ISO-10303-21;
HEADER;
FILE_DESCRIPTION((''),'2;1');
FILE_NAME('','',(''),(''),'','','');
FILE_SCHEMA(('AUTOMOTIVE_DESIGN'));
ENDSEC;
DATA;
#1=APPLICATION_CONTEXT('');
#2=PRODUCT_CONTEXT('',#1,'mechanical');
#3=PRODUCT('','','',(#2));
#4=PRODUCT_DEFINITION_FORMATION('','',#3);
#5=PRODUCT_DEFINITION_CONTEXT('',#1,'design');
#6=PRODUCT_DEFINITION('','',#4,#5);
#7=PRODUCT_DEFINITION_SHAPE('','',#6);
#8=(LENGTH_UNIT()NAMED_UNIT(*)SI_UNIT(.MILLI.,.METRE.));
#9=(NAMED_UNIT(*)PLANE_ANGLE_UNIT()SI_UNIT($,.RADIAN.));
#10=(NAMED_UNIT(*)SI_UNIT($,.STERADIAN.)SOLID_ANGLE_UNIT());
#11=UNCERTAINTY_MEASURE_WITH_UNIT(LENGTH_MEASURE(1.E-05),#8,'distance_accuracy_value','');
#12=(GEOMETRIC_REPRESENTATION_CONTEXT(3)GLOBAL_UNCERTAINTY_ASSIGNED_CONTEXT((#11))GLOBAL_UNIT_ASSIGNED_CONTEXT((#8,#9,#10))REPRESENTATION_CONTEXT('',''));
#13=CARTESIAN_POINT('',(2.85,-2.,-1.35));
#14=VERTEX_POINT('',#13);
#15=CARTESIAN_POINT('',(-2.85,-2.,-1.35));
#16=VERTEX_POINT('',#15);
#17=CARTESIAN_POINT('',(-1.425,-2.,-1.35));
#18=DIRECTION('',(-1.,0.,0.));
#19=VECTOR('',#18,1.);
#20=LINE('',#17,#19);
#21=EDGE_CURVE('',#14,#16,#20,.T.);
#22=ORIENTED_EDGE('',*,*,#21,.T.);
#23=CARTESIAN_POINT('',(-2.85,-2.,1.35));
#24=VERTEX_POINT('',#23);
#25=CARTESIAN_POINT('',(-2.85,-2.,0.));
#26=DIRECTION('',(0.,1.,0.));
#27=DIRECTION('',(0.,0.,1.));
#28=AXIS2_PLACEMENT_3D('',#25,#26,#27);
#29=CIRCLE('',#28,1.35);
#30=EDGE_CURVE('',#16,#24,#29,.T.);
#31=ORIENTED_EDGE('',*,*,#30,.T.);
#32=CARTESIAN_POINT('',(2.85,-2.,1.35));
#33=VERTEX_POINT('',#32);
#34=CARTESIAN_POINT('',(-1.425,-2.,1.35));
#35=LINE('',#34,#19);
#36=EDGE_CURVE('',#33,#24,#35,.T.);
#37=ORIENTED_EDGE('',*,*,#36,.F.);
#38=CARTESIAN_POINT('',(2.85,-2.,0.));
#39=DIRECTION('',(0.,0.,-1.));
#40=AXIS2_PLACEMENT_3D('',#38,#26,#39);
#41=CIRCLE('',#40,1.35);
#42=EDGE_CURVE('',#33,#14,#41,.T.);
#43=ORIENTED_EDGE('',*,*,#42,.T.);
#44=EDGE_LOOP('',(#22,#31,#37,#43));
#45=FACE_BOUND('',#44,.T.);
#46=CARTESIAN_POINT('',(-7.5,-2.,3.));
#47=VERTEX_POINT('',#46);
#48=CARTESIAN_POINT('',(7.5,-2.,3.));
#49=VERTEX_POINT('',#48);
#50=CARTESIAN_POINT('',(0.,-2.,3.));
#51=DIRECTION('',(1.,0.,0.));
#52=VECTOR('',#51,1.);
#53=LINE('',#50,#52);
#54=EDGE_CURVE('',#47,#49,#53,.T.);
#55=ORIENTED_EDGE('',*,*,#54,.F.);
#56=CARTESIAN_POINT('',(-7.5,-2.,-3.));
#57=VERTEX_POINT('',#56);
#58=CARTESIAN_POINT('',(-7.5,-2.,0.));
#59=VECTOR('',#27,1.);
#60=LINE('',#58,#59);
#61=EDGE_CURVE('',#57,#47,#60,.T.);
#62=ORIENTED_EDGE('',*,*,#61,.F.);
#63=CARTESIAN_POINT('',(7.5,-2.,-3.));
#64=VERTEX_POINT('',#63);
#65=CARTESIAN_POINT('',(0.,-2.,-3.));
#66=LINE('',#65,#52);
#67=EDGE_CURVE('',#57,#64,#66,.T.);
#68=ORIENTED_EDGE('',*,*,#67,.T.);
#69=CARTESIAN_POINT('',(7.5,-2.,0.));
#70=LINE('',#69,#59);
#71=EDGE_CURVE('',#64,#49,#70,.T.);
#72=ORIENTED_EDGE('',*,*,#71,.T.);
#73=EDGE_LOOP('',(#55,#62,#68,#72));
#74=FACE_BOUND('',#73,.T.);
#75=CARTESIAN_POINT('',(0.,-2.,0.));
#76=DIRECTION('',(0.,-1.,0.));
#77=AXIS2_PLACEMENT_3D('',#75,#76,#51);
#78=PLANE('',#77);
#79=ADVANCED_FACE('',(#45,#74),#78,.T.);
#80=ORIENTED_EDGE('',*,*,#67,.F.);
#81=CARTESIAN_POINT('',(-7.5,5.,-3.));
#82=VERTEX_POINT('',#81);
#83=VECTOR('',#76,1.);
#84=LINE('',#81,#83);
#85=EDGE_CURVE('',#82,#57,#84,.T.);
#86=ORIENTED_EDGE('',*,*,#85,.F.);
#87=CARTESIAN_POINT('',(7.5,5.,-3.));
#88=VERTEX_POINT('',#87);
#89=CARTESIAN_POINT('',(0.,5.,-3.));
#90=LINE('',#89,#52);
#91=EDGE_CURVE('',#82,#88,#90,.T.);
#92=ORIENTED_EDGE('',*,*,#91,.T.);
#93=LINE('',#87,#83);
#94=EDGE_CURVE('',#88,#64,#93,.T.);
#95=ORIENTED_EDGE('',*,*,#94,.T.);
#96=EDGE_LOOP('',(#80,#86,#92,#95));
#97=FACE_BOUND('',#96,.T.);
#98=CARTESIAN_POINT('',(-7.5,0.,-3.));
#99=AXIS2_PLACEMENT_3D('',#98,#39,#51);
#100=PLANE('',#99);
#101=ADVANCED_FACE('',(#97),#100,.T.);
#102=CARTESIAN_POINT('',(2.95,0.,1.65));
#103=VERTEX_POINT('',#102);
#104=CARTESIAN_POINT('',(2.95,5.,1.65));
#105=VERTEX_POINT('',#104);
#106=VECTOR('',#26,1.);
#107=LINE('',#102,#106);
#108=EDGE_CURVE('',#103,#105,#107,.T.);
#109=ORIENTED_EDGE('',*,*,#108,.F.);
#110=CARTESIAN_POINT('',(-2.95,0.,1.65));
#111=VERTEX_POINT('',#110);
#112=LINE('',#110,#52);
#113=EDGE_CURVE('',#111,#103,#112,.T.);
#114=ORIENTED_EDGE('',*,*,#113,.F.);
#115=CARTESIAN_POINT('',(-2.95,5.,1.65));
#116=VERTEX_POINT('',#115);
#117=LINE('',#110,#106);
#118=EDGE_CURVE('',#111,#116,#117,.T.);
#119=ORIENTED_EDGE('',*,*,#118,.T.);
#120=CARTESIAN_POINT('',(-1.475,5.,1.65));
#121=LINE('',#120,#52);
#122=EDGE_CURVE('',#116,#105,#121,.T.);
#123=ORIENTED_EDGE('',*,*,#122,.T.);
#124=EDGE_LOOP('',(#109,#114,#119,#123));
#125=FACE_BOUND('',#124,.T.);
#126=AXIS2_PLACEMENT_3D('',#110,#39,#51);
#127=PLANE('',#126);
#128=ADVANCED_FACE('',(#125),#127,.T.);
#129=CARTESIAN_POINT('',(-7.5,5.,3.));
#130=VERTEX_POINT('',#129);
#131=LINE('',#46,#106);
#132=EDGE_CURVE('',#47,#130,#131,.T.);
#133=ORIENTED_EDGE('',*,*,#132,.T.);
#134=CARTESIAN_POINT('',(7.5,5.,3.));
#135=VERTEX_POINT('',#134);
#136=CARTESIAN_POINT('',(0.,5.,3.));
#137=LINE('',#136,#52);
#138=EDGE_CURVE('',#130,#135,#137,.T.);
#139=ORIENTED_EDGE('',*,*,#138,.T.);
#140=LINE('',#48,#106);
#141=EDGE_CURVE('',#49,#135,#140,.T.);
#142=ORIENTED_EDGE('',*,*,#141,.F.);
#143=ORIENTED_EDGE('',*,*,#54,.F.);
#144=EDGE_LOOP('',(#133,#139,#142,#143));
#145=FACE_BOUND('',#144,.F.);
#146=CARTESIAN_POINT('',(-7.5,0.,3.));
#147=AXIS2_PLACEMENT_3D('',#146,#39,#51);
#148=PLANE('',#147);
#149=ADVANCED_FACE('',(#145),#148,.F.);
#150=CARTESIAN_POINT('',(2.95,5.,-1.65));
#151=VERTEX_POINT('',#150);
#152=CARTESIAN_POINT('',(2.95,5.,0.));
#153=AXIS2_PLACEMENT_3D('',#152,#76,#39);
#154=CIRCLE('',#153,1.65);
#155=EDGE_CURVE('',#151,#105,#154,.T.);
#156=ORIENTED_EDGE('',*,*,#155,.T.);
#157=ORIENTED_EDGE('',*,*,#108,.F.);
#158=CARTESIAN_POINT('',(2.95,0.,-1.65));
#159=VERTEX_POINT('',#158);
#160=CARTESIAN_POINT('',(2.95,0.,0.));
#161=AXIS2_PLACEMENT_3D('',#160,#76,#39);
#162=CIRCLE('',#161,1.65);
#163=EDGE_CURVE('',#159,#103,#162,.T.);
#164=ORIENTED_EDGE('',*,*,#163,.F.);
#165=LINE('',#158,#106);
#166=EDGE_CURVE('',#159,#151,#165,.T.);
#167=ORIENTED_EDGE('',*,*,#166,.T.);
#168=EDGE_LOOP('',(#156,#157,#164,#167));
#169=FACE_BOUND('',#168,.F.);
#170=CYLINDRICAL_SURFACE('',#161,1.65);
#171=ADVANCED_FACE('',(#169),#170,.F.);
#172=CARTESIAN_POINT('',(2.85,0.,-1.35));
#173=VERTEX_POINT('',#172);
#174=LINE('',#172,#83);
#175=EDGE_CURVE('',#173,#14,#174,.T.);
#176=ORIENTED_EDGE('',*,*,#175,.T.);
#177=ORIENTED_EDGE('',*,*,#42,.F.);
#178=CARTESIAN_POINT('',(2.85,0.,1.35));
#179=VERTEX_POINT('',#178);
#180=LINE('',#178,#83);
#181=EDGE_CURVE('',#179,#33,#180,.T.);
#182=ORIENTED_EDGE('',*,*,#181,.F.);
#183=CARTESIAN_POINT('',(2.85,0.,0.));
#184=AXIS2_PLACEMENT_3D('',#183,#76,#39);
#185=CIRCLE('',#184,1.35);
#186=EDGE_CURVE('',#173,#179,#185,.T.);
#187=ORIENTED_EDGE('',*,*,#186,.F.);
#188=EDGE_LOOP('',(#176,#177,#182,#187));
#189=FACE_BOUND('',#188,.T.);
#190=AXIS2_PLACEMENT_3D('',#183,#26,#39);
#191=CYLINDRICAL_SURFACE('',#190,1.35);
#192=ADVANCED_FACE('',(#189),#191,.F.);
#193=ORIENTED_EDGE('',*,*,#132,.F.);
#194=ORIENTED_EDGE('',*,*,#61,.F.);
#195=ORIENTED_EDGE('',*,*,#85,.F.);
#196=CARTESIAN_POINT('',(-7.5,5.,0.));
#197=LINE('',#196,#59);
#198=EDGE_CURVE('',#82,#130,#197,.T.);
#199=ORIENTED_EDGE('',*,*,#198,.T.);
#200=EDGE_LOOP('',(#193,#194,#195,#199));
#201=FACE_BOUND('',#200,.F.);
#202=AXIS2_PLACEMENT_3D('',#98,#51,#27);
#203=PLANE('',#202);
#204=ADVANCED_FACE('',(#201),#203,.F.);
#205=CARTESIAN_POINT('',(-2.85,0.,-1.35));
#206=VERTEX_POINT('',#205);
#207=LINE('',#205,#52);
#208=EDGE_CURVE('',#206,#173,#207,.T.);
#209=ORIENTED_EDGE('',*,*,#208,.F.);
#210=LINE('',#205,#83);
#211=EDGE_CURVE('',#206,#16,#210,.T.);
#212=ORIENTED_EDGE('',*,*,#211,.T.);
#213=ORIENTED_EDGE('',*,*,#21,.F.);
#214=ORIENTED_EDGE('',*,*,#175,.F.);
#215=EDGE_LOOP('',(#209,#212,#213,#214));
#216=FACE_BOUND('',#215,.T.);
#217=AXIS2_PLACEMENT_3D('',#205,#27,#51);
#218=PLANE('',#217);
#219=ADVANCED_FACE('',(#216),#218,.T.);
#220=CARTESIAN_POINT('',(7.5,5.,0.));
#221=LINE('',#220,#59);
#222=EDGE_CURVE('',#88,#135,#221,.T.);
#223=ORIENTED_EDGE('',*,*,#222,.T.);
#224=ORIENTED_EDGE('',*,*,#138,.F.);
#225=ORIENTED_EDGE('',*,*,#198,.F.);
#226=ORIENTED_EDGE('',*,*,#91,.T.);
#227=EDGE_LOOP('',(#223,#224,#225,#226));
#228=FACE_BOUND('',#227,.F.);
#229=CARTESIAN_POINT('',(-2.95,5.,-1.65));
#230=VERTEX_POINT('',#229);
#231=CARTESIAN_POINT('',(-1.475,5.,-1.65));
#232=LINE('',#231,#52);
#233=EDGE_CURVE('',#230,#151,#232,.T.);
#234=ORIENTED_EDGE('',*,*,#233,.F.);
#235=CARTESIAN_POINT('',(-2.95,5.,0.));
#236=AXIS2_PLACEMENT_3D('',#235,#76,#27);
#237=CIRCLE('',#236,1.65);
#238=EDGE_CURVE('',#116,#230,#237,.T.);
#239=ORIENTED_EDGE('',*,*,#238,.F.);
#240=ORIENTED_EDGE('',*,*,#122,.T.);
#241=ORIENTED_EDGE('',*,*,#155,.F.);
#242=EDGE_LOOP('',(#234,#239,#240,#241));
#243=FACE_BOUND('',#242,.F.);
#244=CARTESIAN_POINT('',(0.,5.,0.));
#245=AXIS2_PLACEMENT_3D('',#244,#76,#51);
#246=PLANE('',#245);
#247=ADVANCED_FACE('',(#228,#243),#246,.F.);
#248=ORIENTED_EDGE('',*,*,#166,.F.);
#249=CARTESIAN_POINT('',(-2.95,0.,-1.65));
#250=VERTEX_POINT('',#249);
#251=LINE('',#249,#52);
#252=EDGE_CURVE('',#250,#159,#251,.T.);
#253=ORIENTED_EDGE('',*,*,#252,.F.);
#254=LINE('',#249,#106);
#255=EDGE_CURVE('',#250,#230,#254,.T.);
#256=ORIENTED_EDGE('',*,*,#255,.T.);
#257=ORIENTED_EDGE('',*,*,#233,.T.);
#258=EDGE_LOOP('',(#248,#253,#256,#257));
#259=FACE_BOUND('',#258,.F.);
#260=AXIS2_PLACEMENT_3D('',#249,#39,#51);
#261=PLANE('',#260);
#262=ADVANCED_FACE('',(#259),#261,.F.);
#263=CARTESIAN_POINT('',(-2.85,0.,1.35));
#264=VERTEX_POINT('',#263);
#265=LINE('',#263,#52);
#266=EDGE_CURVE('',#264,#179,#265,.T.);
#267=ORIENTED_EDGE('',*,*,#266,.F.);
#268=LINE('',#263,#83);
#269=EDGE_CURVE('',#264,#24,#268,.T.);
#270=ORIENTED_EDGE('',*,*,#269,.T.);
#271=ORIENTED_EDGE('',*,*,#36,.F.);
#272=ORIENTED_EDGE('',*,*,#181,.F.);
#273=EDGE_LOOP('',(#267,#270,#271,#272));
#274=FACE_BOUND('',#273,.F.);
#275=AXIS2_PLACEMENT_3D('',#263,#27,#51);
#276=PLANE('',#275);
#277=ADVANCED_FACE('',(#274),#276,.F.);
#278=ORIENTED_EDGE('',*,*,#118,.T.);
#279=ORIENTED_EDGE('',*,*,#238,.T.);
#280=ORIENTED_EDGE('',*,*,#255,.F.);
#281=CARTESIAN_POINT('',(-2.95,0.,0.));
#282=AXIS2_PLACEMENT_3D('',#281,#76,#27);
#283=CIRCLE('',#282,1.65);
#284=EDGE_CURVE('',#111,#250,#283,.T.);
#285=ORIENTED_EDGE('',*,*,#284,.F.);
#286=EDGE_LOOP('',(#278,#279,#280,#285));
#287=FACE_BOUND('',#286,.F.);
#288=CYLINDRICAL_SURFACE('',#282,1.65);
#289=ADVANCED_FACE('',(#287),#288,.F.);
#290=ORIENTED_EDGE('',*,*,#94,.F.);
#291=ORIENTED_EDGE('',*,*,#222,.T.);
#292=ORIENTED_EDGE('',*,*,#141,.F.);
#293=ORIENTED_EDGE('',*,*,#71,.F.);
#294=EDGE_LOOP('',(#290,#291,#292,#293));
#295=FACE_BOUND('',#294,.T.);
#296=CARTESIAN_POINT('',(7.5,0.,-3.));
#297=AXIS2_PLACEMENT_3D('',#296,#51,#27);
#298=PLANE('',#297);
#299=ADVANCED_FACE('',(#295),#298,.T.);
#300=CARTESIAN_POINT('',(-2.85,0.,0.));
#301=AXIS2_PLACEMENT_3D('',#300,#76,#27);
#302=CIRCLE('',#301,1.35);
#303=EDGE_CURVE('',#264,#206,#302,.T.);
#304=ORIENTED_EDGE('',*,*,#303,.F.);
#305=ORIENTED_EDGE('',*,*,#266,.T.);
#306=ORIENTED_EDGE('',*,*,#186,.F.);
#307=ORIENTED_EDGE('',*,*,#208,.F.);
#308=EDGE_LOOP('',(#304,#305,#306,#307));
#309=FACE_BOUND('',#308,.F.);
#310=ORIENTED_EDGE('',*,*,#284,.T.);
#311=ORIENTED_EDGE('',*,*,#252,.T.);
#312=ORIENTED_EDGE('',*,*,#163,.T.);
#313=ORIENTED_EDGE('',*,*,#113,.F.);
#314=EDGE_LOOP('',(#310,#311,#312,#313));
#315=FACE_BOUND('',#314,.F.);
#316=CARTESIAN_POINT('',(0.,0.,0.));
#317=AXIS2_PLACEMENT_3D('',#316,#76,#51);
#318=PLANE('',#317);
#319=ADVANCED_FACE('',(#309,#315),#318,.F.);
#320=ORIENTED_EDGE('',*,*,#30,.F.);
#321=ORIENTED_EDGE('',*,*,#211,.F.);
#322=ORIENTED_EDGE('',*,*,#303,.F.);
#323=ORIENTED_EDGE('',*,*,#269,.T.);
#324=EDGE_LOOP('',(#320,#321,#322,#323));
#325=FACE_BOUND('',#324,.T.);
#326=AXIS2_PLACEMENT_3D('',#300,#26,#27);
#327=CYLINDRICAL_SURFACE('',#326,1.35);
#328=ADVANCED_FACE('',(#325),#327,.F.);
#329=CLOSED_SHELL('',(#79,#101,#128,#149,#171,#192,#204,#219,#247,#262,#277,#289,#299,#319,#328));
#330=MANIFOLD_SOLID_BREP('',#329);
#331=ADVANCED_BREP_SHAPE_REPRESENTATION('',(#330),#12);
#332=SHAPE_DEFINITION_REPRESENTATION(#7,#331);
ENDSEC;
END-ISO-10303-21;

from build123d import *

# Parameters (mm, degrees)
SKETCH002_W     = 15
SKETCH002_H     = 6
PAD_DEPTH       = 2
PAD_DEPTH_BACK  = 5
POCKET_DEPTH    = 5.001
POCKET001_DEPTH = 2.001


with BuildPart() as part:
    # Sketch002 → Pad (new body, two sides)
    with BuildSketch(Plane.XZ) as pad_sk:
        Rectangle(SKETCH002_W, SKETCH002_H)
    extrude(amount=PAD_DEPTH)
    extrude(pad_sk.sketch, amount=-PAD_DEPTH_BACK)

    # Sketch → Pocket (cut, through all)
    with BuildSketch(Plane.XZ):
        with BuildLine():
            ThreePointArc((-2.95, 1.65), (-4.6, 0), (-2.95, -1.65))
            Line((-2.95, -1.65), (2.95, -1.65))
            ThreePointArc((2.95, -1.65), (4.6, 0), (2.95, 1.65))
            Line((-2.95, 1.65), (2.95, 1.65))
        make_face()
    extrude(amount=-POCKET_DEPTH, mode=Mode.SUBTRACT)

    # Sketch001 → Pocket001 (cut, through all)
    with BuildSketch(Plane.XZ):
        with BuildLine():
            ThreePointArc((-2.85, 1.35), (-4.2, 0), (-2.85, -1.35))
            Line((-2.85, -1.35), (2.85, -1.35))
            ThreePointArc((2.85, -1.35), (4.2, 0), (2.85, 1.35))
            Line((-2.85, 1.35), (2.85, 1.35))
        make_face()
    extrude(amount=POCKET001_DEPTH, mode=Mode.SUBTRACT)


solid = part.part
